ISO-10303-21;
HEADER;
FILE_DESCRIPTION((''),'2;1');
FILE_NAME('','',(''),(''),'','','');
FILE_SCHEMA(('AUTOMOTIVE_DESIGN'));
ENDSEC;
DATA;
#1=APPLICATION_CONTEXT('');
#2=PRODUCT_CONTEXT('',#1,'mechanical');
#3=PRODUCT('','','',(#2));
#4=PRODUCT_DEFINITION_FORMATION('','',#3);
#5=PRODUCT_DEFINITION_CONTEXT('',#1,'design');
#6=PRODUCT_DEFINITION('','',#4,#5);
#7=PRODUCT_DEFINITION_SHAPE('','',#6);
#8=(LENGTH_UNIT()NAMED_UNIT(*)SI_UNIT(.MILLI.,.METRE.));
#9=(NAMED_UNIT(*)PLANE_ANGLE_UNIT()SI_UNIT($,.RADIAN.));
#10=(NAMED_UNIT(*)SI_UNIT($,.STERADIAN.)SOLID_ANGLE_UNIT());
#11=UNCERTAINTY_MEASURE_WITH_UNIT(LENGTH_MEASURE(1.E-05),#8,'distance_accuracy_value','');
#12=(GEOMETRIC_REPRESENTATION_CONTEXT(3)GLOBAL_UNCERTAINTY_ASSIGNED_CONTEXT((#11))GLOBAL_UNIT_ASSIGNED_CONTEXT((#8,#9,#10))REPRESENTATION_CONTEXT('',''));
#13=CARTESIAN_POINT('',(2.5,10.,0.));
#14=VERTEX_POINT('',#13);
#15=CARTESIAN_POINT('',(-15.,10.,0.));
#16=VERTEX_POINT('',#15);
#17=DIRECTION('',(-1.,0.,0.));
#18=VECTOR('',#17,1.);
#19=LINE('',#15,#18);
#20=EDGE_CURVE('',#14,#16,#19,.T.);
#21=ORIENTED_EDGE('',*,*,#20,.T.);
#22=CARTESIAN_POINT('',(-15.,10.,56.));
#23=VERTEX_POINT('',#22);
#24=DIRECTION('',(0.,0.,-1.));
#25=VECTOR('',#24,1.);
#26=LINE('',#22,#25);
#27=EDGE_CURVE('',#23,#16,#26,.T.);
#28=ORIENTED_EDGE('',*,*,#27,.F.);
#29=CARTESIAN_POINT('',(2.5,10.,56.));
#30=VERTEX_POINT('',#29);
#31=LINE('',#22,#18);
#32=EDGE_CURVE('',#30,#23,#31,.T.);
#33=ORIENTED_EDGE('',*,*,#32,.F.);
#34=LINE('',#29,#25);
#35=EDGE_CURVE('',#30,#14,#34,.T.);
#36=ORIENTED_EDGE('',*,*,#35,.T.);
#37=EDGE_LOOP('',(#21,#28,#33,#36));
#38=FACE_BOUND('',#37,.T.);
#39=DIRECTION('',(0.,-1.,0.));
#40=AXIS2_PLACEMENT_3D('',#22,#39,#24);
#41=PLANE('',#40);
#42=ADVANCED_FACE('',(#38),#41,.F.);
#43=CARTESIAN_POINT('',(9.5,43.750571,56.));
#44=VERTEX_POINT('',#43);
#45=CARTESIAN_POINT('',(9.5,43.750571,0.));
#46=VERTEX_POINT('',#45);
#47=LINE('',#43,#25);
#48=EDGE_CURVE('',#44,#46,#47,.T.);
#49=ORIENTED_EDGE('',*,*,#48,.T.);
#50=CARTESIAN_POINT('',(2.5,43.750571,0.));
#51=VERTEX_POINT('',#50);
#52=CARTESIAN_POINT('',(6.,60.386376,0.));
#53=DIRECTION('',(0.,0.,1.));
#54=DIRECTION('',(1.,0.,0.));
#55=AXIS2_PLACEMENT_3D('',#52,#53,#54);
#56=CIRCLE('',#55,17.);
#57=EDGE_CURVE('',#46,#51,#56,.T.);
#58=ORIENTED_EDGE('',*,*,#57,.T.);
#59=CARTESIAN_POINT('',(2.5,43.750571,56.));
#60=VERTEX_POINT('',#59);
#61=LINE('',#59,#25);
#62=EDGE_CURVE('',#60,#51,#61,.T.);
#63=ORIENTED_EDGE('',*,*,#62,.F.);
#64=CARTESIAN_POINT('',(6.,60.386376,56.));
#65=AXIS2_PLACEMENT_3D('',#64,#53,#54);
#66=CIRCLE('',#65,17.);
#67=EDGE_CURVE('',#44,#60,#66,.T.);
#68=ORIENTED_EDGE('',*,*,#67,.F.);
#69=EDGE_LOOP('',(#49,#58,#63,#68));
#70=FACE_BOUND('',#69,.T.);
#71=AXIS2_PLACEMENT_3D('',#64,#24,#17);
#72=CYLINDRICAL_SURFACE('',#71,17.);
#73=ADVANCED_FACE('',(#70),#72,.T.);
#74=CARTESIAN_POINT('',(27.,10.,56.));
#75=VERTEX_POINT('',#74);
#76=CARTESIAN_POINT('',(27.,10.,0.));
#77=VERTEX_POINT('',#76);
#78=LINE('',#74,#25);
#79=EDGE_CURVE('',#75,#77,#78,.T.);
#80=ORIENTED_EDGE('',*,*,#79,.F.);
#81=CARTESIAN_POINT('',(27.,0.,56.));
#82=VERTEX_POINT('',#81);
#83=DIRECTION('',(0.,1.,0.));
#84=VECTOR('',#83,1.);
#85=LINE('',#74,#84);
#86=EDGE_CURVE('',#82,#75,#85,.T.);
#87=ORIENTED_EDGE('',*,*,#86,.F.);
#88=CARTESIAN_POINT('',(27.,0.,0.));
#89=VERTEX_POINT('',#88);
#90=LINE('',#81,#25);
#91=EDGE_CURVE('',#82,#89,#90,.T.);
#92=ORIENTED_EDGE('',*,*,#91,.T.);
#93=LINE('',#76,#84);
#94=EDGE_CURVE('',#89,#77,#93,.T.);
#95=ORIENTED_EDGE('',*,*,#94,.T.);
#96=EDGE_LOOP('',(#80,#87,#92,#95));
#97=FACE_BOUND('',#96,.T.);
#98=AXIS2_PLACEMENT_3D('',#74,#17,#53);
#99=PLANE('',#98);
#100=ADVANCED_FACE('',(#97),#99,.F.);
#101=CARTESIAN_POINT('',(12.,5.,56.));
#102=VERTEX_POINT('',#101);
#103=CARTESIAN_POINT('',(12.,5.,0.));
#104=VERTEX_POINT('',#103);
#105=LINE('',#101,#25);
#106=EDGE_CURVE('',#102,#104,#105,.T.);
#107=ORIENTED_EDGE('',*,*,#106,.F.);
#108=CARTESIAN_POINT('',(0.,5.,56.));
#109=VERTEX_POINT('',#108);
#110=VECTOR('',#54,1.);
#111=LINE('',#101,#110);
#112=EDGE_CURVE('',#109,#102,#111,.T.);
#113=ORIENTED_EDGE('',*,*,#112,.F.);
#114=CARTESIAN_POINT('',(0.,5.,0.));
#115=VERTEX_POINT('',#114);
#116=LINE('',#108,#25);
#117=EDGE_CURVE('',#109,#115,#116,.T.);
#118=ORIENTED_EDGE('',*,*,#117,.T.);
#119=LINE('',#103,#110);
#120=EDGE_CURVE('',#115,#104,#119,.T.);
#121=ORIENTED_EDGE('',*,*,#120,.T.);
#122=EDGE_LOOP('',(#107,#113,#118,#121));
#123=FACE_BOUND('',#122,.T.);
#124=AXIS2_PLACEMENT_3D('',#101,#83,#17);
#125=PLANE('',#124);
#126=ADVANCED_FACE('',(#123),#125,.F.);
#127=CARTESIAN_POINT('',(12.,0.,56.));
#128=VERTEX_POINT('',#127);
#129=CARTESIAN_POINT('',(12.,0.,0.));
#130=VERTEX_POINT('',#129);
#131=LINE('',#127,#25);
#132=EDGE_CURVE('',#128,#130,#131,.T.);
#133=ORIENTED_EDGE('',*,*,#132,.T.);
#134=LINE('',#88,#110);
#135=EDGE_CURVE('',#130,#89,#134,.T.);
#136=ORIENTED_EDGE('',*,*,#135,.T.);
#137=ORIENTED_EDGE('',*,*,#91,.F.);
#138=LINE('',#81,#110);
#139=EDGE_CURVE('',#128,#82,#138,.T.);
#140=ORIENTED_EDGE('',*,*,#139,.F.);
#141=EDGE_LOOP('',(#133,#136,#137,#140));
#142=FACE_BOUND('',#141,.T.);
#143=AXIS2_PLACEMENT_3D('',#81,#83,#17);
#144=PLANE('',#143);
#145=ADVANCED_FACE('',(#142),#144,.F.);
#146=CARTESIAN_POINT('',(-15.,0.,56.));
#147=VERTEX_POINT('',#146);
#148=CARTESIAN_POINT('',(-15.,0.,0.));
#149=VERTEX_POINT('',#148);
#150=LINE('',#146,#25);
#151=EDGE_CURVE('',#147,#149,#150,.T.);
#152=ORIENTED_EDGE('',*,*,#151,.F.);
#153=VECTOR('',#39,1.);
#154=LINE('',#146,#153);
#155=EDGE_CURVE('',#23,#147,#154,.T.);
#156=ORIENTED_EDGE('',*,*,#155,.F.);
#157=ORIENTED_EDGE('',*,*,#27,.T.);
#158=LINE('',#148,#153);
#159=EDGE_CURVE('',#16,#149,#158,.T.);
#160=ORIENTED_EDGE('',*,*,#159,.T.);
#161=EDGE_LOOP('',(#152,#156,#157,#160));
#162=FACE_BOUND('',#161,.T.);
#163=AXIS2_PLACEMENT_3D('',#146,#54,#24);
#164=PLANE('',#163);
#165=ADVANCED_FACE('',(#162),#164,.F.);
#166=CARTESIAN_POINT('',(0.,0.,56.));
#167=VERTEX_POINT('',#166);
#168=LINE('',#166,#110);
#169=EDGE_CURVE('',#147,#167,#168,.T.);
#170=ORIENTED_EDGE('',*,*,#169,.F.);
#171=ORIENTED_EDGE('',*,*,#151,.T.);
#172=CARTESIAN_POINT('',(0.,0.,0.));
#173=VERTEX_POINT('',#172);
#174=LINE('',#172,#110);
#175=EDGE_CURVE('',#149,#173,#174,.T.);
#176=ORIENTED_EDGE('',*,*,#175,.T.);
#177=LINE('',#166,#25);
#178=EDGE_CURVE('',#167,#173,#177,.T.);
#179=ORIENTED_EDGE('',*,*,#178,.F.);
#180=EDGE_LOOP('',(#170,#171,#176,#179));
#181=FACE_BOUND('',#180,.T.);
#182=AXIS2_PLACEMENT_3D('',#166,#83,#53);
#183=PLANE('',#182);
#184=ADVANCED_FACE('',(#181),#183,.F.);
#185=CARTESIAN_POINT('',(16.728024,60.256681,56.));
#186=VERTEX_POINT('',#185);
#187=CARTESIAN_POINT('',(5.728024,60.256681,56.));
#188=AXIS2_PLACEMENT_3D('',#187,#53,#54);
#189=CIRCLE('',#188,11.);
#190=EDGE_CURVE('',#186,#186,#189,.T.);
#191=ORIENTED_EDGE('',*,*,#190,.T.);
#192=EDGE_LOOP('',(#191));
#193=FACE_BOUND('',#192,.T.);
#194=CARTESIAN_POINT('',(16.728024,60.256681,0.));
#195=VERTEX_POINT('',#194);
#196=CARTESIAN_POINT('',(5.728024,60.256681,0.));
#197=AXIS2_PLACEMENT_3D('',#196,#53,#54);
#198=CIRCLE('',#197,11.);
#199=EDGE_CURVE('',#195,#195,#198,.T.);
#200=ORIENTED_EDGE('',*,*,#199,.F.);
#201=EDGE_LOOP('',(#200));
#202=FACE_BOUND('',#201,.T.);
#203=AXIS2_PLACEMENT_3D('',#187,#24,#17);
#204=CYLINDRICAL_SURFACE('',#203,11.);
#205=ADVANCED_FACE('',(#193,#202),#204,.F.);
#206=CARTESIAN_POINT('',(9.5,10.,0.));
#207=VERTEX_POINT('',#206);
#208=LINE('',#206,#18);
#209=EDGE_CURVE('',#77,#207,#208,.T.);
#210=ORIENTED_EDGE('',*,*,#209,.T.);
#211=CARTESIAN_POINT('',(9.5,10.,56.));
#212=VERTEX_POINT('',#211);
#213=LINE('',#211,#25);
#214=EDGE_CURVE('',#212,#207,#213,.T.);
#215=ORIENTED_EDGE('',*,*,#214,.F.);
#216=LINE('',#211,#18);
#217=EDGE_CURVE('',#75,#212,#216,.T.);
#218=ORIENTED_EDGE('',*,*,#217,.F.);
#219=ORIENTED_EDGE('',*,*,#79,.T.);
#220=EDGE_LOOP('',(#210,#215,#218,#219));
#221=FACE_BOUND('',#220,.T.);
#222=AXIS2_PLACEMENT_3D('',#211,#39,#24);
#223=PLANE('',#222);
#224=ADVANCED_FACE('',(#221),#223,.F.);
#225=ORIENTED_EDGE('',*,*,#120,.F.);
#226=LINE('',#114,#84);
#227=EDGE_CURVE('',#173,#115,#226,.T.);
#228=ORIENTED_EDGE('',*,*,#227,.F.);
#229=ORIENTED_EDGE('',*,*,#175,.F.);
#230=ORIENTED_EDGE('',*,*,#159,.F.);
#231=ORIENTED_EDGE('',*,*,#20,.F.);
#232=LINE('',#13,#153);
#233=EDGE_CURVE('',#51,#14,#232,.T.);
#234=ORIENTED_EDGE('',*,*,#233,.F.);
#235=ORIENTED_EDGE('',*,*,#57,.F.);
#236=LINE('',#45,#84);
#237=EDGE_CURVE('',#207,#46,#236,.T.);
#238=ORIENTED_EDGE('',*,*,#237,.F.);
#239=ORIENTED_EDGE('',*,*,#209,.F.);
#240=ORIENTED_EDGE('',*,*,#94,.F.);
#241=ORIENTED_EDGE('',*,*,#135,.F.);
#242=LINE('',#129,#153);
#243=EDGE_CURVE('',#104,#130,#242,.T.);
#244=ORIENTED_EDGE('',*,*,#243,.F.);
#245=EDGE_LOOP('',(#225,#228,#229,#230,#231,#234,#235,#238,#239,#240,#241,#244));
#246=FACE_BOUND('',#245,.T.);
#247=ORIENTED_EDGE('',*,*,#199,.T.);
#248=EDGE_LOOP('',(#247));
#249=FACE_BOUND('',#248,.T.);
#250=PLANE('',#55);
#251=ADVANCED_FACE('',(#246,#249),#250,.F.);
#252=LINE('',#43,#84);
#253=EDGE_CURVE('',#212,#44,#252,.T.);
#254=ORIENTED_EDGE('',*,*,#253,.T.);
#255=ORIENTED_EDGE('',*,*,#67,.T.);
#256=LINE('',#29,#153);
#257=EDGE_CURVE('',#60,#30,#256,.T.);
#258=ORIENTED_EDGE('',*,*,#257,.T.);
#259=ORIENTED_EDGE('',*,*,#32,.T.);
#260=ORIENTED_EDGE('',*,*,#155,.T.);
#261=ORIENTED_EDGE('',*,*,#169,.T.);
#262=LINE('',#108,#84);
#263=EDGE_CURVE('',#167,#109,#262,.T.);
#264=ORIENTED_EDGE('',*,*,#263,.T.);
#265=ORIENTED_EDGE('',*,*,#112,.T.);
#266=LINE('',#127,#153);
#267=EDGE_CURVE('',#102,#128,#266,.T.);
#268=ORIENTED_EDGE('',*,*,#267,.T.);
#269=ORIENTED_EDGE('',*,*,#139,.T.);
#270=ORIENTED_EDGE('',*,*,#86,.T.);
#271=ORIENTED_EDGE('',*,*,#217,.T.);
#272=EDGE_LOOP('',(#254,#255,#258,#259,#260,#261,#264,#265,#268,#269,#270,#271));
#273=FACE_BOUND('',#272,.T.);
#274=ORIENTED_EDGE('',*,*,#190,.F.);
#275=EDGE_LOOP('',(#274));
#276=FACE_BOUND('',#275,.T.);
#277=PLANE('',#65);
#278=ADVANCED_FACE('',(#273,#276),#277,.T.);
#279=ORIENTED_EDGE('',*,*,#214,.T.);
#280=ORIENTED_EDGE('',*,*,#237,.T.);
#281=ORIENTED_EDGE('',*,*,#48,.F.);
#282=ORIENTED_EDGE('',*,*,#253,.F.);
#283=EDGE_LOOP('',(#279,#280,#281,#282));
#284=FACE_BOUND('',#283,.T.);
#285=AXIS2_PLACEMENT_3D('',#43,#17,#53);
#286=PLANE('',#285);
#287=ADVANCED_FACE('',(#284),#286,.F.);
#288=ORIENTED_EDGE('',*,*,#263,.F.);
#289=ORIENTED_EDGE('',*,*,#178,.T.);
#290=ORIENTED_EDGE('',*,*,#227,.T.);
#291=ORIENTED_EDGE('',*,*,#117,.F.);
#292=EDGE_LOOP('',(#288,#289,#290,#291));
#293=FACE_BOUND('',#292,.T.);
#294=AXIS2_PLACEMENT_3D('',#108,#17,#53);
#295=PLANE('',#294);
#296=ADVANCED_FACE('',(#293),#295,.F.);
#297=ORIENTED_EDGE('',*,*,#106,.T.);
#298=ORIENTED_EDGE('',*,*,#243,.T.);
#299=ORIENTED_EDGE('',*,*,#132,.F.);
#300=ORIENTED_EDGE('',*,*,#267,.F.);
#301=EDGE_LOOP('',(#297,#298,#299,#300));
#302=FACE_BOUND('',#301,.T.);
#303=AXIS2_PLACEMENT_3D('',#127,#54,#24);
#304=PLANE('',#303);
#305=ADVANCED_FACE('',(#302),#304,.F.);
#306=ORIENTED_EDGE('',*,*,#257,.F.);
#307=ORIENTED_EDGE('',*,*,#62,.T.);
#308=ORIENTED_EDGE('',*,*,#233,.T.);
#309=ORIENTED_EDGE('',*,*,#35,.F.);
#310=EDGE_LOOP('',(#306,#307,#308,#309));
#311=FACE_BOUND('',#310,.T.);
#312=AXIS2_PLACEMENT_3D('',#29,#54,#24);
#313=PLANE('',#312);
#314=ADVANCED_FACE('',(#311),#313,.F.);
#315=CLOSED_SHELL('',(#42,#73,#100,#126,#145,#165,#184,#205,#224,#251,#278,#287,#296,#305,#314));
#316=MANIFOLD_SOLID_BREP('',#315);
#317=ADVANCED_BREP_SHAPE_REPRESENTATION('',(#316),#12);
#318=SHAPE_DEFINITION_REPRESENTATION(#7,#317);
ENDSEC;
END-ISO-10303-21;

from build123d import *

# Parameters (mm, degrees)
SKETCH3_R           = 11
BOSS_EXTRUDE1_DEPTH = 56


with BuildPart() as part:
    # Sketch3 → Boss-Extrude1 (new body)
    with BuildSketch(Plane.XY):
        with BuildLine():
            Line((0, 0), (-15, 0))
            Line((-15, 0), (-15, 10))
            Line((-15, 10), (2.5, 10))
            Line((2.5, 10), (2.5, 43.750570873))
            ThreePointArc((2.5, 43.750570873), (6, 77.386375632), (9.5, 43.750570873))
            Line((9.5, 43.750570873), (9.5, 10))
            Line((9.5, 10), (27, 10))
            Line((27, 10), (27, 0))
            Line((27, 0), (12, 0))
            Line((12, 0), (12, 5))
            Line((12, 5), (0, 5))
            Line((0, 5), (0, 0))
        make_face()
        with Locations((5.728023625, 60.256681192)):
            Circle(SKETCH3_R, mode=Mode.SUBTRACT)
    extrude(amount=BOSS_EXTRUDE1_DEPTH)


solid = part.part
